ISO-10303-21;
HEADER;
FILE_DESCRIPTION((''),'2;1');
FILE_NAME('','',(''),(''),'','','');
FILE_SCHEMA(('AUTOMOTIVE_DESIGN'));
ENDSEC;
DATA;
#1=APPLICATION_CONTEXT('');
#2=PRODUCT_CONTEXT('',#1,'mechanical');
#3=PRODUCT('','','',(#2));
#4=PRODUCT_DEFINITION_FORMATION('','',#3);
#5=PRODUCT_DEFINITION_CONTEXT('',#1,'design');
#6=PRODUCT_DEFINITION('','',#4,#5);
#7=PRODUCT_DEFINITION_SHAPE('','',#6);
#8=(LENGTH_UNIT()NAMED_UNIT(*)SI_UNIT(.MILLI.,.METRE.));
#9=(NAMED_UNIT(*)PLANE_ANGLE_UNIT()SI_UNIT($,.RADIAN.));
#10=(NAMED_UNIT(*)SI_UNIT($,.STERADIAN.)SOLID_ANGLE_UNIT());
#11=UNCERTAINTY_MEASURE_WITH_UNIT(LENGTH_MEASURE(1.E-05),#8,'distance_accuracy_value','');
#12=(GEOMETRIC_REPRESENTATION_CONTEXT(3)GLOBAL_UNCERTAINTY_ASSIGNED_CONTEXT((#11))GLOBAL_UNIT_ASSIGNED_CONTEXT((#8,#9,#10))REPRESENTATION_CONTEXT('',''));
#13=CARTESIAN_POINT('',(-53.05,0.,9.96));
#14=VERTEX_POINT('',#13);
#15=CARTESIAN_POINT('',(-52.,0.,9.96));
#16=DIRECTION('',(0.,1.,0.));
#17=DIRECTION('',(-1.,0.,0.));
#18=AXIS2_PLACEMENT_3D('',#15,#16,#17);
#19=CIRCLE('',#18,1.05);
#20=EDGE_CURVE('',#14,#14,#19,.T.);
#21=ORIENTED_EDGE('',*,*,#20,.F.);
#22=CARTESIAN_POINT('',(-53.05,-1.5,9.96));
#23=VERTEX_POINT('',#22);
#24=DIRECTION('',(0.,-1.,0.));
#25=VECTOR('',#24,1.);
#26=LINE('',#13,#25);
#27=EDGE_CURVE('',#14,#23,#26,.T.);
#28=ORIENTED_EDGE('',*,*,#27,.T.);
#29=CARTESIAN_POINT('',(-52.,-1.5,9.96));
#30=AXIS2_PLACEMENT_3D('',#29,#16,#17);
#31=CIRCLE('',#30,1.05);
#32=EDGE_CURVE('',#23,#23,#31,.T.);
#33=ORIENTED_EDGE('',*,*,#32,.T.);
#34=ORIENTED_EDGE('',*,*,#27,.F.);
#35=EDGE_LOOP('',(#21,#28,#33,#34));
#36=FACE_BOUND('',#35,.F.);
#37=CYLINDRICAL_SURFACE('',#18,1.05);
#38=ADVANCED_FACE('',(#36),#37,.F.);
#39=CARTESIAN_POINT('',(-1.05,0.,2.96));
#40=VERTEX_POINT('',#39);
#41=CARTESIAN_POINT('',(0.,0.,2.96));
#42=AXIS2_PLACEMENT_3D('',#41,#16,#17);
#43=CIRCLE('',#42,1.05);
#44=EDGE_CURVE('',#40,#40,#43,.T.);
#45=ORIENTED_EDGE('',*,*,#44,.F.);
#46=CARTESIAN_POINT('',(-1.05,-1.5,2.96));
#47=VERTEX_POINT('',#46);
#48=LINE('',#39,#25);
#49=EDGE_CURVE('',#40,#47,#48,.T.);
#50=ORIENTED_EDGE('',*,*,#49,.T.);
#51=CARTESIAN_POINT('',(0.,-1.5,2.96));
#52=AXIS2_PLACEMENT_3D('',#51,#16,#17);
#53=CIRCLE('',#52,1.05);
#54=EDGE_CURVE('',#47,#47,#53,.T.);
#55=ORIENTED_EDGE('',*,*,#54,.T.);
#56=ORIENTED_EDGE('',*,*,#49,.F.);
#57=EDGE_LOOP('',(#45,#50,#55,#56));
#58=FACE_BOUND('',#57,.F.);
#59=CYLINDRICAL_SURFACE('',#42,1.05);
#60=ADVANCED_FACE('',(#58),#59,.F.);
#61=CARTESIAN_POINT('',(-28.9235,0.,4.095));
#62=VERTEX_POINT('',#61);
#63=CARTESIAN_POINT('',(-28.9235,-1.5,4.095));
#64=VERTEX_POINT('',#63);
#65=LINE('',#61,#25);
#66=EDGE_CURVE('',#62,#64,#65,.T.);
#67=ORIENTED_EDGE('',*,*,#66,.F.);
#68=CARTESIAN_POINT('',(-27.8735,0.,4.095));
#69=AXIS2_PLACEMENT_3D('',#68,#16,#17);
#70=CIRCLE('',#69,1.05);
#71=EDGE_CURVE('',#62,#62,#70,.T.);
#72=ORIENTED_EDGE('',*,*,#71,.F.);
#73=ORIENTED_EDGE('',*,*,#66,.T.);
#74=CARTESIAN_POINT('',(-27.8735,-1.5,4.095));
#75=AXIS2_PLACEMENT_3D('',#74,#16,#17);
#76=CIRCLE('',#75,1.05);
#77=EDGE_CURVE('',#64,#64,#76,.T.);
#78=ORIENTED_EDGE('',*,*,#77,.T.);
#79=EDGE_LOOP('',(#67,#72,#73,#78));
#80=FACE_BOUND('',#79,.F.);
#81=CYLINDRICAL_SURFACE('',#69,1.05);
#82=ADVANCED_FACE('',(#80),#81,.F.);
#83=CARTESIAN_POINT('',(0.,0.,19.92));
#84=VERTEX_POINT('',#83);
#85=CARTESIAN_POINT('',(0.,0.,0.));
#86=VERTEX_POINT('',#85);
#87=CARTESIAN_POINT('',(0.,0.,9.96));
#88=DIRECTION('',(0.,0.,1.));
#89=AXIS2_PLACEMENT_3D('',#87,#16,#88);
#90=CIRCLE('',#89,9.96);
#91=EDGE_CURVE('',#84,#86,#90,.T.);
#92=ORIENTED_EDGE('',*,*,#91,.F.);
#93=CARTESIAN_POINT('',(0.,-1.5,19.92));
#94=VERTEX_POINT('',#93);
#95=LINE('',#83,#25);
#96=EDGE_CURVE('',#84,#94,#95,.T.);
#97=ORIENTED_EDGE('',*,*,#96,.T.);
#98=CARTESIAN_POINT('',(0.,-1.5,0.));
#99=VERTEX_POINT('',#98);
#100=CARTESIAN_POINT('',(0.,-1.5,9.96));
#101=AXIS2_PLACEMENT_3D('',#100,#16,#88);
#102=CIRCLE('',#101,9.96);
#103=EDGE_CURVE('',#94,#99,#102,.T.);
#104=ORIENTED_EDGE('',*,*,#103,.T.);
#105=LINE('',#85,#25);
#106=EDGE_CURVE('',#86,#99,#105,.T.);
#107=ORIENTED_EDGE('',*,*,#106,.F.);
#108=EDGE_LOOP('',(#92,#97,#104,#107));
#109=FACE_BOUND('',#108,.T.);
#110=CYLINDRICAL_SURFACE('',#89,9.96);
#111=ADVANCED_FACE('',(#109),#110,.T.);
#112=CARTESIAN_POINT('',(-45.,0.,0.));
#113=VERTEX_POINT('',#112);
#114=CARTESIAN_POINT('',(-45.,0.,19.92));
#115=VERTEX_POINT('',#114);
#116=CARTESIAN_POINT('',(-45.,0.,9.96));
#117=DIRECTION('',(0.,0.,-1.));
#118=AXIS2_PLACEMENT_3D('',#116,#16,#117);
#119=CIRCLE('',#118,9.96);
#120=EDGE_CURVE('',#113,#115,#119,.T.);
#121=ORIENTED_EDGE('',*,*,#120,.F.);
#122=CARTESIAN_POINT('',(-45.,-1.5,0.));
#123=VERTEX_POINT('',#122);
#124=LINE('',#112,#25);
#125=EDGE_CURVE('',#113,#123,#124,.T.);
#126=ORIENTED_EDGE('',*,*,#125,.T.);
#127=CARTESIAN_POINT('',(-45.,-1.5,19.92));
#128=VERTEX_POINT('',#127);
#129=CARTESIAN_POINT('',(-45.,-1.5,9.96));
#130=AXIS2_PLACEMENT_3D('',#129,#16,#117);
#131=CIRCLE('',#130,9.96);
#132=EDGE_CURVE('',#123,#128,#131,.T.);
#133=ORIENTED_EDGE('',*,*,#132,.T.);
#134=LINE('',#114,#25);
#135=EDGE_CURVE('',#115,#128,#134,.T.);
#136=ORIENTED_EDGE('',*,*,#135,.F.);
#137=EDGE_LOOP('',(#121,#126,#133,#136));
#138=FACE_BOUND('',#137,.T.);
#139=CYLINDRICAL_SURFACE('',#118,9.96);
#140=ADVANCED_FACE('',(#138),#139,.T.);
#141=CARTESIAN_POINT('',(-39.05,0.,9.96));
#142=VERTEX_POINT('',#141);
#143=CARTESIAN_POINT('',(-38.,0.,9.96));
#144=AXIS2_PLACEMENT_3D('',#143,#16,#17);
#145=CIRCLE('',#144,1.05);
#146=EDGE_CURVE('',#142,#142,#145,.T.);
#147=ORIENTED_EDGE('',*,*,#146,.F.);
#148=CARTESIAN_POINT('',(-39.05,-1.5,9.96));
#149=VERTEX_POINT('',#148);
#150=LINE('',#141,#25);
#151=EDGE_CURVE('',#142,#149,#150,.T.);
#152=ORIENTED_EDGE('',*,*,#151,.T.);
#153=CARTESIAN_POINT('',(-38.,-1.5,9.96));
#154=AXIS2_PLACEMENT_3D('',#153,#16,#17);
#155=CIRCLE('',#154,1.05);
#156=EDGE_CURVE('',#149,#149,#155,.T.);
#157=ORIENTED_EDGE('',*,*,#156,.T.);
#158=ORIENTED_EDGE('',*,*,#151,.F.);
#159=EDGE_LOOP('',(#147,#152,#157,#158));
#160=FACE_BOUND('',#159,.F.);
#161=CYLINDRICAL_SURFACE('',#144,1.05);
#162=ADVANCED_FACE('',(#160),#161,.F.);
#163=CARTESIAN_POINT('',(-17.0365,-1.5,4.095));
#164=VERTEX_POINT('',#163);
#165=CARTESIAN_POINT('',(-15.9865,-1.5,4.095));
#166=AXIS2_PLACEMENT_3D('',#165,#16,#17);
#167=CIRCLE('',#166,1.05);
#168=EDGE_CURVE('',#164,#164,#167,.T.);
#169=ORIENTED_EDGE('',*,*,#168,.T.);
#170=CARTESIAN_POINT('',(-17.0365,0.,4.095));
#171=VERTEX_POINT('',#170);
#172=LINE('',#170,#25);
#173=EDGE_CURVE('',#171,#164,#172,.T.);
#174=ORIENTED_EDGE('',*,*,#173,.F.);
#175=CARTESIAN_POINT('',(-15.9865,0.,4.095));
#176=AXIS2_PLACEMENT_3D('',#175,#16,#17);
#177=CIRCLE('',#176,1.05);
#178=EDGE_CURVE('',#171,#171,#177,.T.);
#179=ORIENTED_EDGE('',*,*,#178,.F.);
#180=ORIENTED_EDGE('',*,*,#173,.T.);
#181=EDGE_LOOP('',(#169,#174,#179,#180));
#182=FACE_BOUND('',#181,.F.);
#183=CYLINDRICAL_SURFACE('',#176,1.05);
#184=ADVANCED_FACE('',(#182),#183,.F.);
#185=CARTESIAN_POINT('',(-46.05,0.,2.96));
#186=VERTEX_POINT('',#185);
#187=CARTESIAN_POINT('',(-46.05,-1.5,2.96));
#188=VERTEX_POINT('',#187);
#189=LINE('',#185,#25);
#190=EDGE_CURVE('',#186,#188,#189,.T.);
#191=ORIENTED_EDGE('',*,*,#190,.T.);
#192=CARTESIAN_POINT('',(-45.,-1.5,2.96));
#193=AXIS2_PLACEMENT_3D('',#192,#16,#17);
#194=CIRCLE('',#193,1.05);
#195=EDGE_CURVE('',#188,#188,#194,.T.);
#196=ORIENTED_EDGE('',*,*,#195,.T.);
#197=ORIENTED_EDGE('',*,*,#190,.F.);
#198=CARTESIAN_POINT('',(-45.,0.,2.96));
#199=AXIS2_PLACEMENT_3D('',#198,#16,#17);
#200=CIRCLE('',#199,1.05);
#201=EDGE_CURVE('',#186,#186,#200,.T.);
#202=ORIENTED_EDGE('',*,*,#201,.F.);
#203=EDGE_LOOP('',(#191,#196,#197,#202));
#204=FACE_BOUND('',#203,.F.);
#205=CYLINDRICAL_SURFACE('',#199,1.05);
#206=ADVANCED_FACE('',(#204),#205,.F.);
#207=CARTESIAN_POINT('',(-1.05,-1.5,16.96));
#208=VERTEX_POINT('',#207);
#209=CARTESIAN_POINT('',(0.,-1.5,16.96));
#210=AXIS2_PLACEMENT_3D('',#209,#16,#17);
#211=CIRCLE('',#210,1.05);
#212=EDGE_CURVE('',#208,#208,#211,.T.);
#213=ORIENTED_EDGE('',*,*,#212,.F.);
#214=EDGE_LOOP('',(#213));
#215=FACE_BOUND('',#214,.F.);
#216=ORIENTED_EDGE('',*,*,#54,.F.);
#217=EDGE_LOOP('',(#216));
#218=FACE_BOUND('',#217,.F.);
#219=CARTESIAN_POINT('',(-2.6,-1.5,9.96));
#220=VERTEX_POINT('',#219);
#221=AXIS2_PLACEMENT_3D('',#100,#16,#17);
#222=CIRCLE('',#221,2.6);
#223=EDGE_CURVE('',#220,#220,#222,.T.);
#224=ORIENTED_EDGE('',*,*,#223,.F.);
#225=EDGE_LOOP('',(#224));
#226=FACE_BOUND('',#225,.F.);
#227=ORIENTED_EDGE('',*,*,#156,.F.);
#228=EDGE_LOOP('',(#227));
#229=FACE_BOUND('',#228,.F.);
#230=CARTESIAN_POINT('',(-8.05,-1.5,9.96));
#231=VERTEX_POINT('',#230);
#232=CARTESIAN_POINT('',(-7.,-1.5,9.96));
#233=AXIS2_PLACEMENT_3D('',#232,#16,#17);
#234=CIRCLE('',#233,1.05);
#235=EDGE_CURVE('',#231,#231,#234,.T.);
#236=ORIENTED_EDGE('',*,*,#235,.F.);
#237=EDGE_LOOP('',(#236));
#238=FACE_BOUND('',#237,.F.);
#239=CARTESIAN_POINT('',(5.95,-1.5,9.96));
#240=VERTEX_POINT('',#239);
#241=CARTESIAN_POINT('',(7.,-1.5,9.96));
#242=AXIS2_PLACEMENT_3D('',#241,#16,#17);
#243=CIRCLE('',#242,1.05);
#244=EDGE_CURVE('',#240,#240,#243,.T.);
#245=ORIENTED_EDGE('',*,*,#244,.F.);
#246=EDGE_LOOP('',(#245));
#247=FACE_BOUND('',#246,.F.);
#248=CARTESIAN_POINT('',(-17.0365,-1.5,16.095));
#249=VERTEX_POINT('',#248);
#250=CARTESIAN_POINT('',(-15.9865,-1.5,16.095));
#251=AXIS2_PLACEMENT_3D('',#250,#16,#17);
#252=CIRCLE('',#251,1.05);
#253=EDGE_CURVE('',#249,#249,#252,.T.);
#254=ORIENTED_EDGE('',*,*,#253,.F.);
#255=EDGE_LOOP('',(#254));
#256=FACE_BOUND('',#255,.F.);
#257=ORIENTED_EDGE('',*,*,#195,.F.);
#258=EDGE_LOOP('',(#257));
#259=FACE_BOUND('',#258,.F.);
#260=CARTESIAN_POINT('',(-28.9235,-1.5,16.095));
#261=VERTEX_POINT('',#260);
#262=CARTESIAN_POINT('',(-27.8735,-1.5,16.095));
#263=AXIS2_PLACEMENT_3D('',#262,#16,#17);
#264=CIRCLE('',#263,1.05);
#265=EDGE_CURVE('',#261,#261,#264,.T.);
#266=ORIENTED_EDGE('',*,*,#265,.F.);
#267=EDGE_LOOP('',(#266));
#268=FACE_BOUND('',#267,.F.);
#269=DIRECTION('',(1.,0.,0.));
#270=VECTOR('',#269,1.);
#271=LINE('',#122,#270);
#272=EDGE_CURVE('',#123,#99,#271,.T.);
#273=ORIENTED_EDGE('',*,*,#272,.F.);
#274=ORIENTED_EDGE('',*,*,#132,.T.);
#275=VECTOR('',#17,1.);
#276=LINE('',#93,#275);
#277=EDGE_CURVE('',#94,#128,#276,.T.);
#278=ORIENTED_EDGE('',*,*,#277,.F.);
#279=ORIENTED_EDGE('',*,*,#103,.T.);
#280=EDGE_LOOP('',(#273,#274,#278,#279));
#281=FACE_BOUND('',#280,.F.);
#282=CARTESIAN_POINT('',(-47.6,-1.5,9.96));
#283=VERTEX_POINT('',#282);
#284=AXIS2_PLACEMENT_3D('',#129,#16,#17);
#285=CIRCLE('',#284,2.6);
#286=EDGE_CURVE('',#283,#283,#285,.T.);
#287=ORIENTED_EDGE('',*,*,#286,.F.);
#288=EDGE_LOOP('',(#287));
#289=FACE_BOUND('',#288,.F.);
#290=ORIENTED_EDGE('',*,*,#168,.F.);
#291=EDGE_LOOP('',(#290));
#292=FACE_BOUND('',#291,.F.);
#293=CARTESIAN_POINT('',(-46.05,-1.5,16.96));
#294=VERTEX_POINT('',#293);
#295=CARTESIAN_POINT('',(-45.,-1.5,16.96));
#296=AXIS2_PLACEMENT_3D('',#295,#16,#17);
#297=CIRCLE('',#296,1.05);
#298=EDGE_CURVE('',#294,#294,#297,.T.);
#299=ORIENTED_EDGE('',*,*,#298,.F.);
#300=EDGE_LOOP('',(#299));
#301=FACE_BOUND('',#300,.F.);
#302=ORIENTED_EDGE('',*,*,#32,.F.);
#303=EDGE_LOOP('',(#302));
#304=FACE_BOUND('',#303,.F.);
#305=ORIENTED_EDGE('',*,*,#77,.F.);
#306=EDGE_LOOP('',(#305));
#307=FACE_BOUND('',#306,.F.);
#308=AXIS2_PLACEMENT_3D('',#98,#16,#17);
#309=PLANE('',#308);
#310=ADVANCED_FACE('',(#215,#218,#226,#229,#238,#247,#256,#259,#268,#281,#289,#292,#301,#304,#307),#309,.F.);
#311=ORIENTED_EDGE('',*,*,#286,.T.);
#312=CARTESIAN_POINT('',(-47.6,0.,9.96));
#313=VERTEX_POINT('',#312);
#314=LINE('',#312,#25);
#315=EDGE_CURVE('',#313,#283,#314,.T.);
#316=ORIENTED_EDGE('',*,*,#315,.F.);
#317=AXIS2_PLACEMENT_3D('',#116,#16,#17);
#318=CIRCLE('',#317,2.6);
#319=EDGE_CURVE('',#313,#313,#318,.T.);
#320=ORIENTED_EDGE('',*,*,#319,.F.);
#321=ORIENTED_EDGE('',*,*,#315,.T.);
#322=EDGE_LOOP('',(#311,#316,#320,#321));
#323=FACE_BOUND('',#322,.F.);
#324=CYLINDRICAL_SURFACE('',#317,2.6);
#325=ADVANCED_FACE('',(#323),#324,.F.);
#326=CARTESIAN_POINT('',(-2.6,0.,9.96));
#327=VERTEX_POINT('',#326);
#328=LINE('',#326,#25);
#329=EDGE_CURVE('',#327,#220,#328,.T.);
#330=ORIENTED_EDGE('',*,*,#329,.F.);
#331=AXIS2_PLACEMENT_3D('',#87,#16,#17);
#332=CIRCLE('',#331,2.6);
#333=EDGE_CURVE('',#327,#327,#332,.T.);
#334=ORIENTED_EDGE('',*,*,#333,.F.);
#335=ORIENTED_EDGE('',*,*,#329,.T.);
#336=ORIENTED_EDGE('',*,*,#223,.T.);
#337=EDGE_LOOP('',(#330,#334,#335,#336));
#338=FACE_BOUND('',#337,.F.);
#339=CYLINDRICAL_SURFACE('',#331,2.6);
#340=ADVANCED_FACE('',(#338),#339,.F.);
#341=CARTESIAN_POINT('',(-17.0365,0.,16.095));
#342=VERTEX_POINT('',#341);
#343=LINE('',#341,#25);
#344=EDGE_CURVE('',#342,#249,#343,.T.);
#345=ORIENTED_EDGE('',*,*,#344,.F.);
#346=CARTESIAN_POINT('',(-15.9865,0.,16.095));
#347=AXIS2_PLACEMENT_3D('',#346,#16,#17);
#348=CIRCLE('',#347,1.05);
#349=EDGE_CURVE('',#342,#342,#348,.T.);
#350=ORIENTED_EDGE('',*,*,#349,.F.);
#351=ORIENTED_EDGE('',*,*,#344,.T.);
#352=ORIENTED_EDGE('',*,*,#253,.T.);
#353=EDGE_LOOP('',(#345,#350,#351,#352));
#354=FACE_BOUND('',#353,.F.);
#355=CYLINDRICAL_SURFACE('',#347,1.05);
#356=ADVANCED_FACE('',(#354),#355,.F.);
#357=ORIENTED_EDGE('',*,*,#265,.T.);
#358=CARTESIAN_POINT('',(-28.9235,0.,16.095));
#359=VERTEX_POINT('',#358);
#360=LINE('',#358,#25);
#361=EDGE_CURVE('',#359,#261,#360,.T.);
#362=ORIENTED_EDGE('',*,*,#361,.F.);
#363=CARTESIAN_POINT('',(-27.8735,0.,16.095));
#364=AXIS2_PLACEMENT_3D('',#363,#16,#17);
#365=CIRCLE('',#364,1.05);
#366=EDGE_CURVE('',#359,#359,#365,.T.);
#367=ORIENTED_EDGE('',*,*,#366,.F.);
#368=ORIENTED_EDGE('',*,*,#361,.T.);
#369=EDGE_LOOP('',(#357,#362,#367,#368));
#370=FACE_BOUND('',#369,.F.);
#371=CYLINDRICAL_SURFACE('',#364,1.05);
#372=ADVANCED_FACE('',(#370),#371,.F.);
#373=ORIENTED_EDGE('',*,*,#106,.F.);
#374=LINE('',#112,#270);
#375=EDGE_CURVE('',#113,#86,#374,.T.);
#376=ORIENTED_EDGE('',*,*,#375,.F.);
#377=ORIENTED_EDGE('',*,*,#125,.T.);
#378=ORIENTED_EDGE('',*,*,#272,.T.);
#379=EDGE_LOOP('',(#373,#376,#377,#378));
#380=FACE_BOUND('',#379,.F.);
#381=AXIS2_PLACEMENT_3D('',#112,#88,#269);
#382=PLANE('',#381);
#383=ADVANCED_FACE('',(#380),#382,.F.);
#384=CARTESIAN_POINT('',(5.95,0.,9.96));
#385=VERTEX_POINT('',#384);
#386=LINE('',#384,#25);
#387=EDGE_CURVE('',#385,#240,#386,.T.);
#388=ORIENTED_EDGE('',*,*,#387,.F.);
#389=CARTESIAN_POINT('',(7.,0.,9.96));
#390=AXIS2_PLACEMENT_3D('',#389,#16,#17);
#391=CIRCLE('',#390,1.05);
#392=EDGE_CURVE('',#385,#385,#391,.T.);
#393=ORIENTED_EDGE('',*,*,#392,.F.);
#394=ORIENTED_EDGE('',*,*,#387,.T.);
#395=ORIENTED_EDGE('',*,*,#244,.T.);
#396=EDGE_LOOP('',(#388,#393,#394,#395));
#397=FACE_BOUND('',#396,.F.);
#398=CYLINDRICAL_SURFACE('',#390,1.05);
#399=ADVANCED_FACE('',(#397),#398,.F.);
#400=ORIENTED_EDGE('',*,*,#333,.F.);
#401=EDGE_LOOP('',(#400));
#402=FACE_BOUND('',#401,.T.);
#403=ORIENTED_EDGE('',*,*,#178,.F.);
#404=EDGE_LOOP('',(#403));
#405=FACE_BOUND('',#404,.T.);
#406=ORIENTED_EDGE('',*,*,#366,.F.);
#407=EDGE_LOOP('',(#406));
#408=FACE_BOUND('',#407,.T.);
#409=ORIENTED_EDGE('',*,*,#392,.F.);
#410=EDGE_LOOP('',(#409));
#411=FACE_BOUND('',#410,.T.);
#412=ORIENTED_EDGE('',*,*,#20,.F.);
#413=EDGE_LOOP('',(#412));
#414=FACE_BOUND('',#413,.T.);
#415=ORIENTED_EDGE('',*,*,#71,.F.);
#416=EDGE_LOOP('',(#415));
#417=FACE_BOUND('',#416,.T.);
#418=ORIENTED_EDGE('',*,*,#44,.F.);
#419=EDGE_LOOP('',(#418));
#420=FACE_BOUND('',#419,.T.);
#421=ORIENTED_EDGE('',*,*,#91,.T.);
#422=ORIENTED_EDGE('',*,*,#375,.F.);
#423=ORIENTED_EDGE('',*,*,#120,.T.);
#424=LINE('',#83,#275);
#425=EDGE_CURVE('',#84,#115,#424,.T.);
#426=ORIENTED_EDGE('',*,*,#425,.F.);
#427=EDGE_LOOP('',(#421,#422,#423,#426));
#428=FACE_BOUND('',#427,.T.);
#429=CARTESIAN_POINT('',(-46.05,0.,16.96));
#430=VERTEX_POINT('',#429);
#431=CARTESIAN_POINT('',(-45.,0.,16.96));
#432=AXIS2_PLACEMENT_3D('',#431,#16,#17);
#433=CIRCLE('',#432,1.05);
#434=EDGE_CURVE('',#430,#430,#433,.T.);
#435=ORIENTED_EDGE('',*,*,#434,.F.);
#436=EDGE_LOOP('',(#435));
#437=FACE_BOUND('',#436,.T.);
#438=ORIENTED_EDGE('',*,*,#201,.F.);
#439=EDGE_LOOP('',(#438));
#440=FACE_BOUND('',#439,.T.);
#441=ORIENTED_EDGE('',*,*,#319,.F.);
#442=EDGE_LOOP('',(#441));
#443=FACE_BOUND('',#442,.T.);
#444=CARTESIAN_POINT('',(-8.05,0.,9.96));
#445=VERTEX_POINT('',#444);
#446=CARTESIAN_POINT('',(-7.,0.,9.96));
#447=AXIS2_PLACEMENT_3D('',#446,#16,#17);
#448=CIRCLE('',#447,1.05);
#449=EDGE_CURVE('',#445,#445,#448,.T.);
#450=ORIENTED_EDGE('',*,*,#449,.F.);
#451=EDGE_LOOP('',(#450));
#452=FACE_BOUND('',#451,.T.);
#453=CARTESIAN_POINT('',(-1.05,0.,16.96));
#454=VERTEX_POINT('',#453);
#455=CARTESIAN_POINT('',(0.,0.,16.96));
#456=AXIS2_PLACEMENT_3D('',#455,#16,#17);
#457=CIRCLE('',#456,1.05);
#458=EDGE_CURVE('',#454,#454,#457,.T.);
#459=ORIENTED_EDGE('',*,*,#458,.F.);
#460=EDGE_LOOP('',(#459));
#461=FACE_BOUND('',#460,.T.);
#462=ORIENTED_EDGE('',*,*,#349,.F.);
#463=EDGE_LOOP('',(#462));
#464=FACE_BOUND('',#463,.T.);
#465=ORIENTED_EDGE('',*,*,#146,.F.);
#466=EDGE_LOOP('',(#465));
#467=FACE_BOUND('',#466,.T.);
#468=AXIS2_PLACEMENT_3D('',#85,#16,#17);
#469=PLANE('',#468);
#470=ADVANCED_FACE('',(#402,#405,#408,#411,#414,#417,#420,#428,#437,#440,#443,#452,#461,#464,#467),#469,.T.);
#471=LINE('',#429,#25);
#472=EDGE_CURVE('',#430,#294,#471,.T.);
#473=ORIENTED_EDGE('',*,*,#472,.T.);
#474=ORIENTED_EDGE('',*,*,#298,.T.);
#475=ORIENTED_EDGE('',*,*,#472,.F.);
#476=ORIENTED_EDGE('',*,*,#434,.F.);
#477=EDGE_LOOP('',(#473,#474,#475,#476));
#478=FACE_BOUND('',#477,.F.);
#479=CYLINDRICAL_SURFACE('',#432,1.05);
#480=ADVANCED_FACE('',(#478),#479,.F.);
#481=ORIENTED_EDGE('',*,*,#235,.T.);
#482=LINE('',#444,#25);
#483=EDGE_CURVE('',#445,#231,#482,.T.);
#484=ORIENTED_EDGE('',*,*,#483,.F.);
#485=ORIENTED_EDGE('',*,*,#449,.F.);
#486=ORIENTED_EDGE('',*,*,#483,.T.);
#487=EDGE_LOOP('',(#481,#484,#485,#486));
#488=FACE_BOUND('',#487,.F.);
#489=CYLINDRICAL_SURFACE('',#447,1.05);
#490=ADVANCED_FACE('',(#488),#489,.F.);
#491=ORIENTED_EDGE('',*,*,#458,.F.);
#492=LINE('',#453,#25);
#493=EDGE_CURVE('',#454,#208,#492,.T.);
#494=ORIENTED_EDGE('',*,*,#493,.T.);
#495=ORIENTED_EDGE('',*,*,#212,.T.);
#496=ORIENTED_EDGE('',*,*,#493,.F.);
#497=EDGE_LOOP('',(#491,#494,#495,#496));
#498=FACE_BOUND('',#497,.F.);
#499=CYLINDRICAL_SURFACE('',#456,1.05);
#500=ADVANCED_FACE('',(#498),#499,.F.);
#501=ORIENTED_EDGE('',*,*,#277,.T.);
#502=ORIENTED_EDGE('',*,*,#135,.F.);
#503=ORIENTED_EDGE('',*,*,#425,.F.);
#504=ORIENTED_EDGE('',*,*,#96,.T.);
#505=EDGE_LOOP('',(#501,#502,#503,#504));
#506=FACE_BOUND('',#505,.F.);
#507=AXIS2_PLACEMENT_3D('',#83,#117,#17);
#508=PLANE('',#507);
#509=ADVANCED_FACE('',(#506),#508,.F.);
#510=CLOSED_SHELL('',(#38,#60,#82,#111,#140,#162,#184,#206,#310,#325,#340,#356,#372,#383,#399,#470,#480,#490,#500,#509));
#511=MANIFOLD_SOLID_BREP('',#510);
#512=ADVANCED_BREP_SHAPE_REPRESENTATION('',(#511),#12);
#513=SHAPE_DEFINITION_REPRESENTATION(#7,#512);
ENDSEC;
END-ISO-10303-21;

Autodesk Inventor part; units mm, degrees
ref_plane "YZ Plane" through (0, 0, 0) normal (1, 0, 0) x (0, 1, 0)
ref_plane "XZ Plane" through (0, 0, 0) normal (0, 1, 0) x (-1, 0, 0)
ref_plane "XY Plane" through (0, 0, 0) normal (0, 0, 1) x (1, 0, 0)
sketch "Sketch1" plane through (0, 0, 0) normal (0, 1, 0) x (-1, 0, 0)
  circle A0 centre (27.8735, 4.095) radius 1.05
  circle A1 centre (27.8735, 16.095) radius 1.05
  circle A2 centre (15.9865, 4.095) radius 1.05
  circle A3 centre (15.9865, 16.095) radius 1.05
  circle A4 centre (45, 9.96) radius 2.6
  circle A5 centre (0, 9.96) radius 2.6
  circle A6 centre (45, 2.96) radius 1.05
  circle A7 centre (52, 9.96) radius 1.05
  circle A8 centre (45, 16.96) radius 1.05
  circle A9 centre (38, 9.96) radius 1.05
  circle A10 centre (0, 2.96) radius 1.05
  circle A11 centre (7, 9.96) radius 1.05
  circle A12 centre (0, 16.96) radius 1.05
  circle A13 centre (-7, 9.96) radius 1.05
  line L0 (45, 0) -> (0, 0)
  arc A14 (45, 0) -> (45, 19.92) centre (45, 9.96) ccw
  line L1 (0, 19.92) -> (45, 19.92)
  arc A15 (0, 19.92) -> (0, 0) centre (0, 9.96) ccw
extrude "Extrusion1" add sketch "Sketch1" against normal blind 1.5
properties part number "axis_3_bottom_frame(top)" material "Aluminum 6061-AHC"
